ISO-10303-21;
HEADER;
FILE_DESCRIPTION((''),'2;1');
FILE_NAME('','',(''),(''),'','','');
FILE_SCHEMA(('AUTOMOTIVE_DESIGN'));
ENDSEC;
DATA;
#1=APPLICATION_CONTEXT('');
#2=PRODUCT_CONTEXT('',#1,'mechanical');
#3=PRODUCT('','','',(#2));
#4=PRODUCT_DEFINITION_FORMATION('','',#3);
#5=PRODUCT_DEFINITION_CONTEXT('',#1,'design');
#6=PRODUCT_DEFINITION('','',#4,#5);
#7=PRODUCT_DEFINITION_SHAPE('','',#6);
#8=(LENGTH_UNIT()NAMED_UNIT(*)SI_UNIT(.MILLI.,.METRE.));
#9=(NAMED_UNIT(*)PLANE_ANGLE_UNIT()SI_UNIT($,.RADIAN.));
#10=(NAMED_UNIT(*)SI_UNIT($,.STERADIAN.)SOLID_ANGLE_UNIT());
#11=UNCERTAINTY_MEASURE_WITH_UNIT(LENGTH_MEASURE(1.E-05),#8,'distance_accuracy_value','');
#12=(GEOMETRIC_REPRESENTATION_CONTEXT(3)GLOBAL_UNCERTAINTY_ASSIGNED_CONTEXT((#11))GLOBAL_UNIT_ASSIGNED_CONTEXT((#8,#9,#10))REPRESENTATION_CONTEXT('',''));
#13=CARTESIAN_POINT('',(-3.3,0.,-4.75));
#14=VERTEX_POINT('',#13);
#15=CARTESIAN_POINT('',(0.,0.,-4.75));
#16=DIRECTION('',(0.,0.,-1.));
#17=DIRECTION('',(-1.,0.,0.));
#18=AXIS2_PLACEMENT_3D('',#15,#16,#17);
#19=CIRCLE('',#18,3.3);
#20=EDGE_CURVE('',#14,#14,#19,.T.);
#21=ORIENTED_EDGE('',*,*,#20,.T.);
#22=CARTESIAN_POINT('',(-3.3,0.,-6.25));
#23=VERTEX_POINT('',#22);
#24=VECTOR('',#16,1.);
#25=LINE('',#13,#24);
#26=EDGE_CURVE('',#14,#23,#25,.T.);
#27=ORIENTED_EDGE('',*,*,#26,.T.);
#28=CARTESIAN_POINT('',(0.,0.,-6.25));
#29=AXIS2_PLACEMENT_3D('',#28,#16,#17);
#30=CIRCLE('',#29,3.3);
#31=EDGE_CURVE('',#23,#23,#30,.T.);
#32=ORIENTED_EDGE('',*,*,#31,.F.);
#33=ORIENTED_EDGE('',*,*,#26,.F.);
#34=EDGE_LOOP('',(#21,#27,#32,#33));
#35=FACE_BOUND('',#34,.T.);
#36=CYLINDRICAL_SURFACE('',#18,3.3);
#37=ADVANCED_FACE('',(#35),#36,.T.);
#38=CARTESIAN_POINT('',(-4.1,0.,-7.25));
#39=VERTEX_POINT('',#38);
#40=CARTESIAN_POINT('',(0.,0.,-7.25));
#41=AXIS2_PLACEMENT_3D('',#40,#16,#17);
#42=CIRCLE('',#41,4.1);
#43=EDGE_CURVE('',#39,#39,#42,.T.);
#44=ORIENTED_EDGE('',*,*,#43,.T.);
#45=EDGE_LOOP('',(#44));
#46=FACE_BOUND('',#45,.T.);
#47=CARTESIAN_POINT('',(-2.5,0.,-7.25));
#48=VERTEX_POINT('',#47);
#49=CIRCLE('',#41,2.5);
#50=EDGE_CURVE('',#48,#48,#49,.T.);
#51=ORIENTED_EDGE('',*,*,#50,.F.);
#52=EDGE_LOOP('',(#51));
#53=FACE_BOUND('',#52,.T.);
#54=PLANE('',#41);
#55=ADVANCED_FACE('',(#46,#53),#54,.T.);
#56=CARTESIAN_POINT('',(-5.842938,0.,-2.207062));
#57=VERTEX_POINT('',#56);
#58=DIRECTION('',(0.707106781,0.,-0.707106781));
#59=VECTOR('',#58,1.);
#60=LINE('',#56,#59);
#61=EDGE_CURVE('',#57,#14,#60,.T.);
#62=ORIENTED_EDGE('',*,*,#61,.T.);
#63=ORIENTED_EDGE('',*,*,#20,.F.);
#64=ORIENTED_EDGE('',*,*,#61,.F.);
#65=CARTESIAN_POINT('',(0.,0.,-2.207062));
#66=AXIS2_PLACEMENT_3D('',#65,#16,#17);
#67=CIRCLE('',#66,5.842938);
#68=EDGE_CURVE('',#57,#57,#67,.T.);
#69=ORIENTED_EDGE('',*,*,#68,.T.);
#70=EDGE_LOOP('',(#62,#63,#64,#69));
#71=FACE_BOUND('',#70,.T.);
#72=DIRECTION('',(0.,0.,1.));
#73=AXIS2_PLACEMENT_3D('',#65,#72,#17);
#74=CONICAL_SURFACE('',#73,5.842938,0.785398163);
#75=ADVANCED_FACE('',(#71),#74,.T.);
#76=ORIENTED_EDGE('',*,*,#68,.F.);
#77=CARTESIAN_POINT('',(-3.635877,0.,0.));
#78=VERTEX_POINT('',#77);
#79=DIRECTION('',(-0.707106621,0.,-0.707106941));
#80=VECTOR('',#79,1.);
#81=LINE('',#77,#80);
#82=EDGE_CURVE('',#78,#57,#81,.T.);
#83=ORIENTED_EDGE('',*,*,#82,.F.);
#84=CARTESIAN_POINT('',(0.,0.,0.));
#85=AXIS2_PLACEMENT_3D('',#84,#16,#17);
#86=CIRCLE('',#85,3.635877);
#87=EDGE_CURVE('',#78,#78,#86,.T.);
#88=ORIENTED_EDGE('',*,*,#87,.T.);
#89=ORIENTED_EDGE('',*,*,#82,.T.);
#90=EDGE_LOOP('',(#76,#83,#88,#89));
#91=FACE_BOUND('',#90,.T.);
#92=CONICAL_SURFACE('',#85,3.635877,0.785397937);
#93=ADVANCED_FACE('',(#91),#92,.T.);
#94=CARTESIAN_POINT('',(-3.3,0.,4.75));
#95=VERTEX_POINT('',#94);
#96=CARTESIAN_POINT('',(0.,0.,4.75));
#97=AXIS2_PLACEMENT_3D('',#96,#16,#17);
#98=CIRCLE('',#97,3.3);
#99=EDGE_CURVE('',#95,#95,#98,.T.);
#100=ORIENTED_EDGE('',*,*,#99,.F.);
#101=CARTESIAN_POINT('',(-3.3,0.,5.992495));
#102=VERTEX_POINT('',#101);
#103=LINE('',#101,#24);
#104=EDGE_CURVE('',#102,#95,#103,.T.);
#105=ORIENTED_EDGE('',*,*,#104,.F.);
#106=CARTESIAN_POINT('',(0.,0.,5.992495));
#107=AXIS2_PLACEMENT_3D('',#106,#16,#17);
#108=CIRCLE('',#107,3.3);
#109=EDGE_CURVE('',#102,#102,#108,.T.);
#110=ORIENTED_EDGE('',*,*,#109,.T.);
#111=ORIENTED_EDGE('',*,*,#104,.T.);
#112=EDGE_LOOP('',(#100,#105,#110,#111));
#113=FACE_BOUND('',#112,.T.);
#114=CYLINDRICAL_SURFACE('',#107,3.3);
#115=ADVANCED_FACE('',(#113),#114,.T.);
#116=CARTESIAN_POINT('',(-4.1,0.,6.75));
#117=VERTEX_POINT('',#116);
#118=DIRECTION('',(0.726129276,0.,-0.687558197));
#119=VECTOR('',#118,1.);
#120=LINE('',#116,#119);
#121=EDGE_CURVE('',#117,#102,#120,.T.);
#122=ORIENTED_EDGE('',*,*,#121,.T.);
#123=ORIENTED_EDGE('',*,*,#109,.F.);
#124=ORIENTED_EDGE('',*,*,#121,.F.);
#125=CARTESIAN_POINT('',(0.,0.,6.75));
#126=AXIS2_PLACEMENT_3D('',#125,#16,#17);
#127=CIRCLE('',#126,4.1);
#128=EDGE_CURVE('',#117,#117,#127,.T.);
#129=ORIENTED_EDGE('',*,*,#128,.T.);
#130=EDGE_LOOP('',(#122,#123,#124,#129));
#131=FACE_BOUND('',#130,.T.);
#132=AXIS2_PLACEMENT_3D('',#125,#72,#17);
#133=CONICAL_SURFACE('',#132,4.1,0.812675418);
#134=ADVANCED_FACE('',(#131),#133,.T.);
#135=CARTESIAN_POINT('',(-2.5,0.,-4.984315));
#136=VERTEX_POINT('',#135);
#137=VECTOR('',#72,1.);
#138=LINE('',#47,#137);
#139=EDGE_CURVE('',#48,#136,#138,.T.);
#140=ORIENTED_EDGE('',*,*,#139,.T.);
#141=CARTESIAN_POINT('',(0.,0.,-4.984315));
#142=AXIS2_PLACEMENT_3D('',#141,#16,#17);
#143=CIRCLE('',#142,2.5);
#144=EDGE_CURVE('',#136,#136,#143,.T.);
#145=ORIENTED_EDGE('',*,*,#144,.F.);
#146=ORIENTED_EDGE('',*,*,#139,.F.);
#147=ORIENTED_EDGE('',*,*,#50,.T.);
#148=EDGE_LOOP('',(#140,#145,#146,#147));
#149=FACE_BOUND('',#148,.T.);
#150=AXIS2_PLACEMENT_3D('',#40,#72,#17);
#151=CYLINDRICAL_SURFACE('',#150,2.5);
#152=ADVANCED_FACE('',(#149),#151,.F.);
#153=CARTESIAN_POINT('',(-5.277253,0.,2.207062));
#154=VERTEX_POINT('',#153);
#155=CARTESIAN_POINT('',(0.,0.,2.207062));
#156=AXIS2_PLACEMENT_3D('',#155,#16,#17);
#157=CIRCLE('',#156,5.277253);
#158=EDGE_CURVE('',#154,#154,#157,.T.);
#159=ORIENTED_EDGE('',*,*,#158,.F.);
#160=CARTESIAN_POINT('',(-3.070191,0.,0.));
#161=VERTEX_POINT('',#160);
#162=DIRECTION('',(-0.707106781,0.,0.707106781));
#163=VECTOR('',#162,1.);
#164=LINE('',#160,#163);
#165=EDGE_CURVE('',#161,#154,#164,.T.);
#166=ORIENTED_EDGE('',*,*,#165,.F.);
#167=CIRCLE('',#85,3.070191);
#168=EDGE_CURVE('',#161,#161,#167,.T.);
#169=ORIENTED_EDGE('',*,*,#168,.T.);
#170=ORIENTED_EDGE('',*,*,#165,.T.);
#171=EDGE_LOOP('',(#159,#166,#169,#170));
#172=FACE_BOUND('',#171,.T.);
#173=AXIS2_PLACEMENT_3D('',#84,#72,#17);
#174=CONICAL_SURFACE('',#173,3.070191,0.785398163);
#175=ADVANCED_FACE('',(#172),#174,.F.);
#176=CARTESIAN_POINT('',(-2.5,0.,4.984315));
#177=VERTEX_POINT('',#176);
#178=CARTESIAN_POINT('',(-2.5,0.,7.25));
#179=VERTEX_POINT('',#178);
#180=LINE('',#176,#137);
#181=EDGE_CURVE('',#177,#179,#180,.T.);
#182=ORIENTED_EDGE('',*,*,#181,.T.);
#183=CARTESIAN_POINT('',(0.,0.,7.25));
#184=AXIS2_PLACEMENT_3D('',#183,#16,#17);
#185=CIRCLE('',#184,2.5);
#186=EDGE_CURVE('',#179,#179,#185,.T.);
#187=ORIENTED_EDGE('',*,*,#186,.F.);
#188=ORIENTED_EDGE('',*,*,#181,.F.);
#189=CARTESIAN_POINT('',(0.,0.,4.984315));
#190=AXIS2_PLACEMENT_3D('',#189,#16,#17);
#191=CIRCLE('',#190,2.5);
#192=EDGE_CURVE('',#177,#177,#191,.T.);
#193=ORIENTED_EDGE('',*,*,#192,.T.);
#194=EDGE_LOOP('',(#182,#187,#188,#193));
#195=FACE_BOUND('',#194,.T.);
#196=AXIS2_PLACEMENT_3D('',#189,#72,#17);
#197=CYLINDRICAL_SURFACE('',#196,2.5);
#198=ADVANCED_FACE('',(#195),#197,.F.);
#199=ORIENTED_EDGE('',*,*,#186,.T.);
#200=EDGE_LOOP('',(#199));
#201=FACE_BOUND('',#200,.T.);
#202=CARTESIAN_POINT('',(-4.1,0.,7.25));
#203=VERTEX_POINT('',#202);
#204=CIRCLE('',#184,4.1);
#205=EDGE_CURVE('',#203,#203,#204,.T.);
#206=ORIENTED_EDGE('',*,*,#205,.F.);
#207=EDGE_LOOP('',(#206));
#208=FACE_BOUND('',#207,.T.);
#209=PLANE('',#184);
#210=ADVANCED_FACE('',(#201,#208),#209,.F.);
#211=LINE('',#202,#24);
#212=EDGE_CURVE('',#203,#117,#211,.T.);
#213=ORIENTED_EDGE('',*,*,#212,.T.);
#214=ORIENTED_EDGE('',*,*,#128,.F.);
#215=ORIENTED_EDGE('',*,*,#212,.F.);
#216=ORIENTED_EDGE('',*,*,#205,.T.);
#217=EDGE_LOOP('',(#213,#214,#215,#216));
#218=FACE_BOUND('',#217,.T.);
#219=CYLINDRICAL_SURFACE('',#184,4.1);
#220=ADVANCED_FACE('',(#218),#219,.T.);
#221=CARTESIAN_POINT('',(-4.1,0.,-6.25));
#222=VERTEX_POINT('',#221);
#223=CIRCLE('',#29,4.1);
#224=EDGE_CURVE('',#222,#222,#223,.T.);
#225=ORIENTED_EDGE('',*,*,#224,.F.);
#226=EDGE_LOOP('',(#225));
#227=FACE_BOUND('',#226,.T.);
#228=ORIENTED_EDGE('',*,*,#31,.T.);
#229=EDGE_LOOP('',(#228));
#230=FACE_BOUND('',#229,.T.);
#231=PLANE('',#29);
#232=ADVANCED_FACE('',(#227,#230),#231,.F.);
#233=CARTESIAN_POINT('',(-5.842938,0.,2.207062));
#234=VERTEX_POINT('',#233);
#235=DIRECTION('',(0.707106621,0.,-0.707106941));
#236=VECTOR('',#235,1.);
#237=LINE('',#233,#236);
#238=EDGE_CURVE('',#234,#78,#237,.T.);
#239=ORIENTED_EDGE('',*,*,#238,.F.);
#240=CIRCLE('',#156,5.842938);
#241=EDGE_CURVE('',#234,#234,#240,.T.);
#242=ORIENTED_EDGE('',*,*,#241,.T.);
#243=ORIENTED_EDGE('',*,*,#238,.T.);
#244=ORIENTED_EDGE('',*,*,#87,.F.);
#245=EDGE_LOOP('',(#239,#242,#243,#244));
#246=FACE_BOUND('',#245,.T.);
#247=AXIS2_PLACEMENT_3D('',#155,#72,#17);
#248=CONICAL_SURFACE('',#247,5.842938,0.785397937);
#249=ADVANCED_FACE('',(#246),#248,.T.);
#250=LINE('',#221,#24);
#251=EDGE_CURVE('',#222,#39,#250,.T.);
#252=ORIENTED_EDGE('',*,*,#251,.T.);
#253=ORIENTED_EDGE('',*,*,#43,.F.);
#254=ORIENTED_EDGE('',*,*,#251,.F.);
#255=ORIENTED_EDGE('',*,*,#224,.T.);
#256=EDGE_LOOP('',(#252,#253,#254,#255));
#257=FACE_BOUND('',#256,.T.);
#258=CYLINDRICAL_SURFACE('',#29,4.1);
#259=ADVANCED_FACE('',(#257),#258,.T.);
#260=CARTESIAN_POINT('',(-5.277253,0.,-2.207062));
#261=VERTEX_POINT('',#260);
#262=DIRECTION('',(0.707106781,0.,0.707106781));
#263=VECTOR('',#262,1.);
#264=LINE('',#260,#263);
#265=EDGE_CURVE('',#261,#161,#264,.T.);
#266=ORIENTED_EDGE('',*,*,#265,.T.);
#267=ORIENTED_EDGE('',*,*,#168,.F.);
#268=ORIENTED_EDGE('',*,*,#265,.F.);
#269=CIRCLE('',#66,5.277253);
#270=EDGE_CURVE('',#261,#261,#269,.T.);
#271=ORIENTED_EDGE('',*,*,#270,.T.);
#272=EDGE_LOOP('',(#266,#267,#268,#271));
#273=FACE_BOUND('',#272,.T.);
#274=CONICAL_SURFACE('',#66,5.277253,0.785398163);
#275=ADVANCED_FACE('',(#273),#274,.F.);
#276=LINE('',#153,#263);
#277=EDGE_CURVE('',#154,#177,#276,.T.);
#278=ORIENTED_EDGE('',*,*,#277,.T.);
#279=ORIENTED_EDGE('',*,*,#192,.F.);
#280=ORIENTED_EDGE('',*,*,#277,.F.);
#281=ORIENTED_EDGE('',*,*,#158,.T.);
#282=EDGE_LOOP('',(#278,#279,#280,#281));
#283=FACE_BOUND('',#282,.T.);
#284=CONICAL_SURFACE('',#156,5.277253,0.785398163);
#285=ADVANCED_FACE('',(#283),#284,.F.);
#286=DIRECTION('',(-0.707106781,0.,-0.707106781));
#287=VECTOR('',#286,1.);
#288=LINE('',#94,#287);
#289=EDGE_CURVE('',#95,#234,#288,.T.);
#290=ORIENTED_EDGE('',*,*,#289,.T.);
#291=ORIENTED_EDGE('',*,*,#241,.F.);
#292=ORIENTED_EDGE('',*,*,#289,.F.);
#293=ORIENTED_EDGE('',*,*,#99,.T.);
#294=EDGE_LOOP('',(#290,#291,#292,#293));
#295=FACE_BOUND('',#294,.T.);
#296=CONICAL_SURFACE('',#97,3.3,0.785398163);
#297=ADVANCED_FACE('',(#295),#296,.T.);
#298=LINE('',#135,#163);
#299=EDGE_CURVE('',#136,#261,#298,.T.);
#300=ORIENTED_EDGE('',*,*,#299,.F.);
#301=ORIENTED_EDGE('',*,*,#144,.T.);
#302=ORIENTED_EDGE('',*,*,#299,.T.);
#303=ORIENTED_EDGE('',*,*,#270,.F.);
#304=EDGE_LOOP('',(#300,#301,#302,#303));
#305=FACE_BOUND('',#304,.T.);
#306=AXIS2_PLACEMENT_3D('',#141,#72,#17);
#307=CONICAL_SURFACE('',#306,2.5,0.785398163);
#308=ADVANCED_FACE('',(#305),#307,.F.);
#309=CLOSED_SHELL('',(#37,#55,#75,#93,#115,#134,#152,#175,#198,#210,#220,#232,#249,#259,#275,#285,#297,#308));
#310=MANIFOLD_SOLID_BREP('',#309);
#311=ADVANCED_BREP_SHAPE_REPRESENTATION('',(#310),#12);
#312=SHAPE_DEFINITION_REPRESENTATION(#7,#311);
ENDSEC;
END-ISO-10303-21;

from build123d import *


with BuildPart() as f1:
    # F0 (on Front) → F1 (revolve)
    with BuildSketch(Plane.XZ):
        Polygon((-2.5, 4.984315), (-2.5, 7.25), (-4.1, 7.25), (-4.1, 6.75), (-3.3, 5.992495), (-3.3, 4.75), (-5.842938, 2.207062), (-3.635877, 0), (-5.842938, -2.207062), (-3.3, -4.75), (-3.3, -6.25), (-4.1, -6.25), (-4.1, -7.25), (-2.5, -7.25), (-2.5, -4.984315), (-5.277253, -2.207062), (-3.070191, 0), (-5.277253, 2.207062), align=None)
    revolve(axis=Axis((0, 0, -0.799421), (0, 0, -1)))


solid = f1.part
